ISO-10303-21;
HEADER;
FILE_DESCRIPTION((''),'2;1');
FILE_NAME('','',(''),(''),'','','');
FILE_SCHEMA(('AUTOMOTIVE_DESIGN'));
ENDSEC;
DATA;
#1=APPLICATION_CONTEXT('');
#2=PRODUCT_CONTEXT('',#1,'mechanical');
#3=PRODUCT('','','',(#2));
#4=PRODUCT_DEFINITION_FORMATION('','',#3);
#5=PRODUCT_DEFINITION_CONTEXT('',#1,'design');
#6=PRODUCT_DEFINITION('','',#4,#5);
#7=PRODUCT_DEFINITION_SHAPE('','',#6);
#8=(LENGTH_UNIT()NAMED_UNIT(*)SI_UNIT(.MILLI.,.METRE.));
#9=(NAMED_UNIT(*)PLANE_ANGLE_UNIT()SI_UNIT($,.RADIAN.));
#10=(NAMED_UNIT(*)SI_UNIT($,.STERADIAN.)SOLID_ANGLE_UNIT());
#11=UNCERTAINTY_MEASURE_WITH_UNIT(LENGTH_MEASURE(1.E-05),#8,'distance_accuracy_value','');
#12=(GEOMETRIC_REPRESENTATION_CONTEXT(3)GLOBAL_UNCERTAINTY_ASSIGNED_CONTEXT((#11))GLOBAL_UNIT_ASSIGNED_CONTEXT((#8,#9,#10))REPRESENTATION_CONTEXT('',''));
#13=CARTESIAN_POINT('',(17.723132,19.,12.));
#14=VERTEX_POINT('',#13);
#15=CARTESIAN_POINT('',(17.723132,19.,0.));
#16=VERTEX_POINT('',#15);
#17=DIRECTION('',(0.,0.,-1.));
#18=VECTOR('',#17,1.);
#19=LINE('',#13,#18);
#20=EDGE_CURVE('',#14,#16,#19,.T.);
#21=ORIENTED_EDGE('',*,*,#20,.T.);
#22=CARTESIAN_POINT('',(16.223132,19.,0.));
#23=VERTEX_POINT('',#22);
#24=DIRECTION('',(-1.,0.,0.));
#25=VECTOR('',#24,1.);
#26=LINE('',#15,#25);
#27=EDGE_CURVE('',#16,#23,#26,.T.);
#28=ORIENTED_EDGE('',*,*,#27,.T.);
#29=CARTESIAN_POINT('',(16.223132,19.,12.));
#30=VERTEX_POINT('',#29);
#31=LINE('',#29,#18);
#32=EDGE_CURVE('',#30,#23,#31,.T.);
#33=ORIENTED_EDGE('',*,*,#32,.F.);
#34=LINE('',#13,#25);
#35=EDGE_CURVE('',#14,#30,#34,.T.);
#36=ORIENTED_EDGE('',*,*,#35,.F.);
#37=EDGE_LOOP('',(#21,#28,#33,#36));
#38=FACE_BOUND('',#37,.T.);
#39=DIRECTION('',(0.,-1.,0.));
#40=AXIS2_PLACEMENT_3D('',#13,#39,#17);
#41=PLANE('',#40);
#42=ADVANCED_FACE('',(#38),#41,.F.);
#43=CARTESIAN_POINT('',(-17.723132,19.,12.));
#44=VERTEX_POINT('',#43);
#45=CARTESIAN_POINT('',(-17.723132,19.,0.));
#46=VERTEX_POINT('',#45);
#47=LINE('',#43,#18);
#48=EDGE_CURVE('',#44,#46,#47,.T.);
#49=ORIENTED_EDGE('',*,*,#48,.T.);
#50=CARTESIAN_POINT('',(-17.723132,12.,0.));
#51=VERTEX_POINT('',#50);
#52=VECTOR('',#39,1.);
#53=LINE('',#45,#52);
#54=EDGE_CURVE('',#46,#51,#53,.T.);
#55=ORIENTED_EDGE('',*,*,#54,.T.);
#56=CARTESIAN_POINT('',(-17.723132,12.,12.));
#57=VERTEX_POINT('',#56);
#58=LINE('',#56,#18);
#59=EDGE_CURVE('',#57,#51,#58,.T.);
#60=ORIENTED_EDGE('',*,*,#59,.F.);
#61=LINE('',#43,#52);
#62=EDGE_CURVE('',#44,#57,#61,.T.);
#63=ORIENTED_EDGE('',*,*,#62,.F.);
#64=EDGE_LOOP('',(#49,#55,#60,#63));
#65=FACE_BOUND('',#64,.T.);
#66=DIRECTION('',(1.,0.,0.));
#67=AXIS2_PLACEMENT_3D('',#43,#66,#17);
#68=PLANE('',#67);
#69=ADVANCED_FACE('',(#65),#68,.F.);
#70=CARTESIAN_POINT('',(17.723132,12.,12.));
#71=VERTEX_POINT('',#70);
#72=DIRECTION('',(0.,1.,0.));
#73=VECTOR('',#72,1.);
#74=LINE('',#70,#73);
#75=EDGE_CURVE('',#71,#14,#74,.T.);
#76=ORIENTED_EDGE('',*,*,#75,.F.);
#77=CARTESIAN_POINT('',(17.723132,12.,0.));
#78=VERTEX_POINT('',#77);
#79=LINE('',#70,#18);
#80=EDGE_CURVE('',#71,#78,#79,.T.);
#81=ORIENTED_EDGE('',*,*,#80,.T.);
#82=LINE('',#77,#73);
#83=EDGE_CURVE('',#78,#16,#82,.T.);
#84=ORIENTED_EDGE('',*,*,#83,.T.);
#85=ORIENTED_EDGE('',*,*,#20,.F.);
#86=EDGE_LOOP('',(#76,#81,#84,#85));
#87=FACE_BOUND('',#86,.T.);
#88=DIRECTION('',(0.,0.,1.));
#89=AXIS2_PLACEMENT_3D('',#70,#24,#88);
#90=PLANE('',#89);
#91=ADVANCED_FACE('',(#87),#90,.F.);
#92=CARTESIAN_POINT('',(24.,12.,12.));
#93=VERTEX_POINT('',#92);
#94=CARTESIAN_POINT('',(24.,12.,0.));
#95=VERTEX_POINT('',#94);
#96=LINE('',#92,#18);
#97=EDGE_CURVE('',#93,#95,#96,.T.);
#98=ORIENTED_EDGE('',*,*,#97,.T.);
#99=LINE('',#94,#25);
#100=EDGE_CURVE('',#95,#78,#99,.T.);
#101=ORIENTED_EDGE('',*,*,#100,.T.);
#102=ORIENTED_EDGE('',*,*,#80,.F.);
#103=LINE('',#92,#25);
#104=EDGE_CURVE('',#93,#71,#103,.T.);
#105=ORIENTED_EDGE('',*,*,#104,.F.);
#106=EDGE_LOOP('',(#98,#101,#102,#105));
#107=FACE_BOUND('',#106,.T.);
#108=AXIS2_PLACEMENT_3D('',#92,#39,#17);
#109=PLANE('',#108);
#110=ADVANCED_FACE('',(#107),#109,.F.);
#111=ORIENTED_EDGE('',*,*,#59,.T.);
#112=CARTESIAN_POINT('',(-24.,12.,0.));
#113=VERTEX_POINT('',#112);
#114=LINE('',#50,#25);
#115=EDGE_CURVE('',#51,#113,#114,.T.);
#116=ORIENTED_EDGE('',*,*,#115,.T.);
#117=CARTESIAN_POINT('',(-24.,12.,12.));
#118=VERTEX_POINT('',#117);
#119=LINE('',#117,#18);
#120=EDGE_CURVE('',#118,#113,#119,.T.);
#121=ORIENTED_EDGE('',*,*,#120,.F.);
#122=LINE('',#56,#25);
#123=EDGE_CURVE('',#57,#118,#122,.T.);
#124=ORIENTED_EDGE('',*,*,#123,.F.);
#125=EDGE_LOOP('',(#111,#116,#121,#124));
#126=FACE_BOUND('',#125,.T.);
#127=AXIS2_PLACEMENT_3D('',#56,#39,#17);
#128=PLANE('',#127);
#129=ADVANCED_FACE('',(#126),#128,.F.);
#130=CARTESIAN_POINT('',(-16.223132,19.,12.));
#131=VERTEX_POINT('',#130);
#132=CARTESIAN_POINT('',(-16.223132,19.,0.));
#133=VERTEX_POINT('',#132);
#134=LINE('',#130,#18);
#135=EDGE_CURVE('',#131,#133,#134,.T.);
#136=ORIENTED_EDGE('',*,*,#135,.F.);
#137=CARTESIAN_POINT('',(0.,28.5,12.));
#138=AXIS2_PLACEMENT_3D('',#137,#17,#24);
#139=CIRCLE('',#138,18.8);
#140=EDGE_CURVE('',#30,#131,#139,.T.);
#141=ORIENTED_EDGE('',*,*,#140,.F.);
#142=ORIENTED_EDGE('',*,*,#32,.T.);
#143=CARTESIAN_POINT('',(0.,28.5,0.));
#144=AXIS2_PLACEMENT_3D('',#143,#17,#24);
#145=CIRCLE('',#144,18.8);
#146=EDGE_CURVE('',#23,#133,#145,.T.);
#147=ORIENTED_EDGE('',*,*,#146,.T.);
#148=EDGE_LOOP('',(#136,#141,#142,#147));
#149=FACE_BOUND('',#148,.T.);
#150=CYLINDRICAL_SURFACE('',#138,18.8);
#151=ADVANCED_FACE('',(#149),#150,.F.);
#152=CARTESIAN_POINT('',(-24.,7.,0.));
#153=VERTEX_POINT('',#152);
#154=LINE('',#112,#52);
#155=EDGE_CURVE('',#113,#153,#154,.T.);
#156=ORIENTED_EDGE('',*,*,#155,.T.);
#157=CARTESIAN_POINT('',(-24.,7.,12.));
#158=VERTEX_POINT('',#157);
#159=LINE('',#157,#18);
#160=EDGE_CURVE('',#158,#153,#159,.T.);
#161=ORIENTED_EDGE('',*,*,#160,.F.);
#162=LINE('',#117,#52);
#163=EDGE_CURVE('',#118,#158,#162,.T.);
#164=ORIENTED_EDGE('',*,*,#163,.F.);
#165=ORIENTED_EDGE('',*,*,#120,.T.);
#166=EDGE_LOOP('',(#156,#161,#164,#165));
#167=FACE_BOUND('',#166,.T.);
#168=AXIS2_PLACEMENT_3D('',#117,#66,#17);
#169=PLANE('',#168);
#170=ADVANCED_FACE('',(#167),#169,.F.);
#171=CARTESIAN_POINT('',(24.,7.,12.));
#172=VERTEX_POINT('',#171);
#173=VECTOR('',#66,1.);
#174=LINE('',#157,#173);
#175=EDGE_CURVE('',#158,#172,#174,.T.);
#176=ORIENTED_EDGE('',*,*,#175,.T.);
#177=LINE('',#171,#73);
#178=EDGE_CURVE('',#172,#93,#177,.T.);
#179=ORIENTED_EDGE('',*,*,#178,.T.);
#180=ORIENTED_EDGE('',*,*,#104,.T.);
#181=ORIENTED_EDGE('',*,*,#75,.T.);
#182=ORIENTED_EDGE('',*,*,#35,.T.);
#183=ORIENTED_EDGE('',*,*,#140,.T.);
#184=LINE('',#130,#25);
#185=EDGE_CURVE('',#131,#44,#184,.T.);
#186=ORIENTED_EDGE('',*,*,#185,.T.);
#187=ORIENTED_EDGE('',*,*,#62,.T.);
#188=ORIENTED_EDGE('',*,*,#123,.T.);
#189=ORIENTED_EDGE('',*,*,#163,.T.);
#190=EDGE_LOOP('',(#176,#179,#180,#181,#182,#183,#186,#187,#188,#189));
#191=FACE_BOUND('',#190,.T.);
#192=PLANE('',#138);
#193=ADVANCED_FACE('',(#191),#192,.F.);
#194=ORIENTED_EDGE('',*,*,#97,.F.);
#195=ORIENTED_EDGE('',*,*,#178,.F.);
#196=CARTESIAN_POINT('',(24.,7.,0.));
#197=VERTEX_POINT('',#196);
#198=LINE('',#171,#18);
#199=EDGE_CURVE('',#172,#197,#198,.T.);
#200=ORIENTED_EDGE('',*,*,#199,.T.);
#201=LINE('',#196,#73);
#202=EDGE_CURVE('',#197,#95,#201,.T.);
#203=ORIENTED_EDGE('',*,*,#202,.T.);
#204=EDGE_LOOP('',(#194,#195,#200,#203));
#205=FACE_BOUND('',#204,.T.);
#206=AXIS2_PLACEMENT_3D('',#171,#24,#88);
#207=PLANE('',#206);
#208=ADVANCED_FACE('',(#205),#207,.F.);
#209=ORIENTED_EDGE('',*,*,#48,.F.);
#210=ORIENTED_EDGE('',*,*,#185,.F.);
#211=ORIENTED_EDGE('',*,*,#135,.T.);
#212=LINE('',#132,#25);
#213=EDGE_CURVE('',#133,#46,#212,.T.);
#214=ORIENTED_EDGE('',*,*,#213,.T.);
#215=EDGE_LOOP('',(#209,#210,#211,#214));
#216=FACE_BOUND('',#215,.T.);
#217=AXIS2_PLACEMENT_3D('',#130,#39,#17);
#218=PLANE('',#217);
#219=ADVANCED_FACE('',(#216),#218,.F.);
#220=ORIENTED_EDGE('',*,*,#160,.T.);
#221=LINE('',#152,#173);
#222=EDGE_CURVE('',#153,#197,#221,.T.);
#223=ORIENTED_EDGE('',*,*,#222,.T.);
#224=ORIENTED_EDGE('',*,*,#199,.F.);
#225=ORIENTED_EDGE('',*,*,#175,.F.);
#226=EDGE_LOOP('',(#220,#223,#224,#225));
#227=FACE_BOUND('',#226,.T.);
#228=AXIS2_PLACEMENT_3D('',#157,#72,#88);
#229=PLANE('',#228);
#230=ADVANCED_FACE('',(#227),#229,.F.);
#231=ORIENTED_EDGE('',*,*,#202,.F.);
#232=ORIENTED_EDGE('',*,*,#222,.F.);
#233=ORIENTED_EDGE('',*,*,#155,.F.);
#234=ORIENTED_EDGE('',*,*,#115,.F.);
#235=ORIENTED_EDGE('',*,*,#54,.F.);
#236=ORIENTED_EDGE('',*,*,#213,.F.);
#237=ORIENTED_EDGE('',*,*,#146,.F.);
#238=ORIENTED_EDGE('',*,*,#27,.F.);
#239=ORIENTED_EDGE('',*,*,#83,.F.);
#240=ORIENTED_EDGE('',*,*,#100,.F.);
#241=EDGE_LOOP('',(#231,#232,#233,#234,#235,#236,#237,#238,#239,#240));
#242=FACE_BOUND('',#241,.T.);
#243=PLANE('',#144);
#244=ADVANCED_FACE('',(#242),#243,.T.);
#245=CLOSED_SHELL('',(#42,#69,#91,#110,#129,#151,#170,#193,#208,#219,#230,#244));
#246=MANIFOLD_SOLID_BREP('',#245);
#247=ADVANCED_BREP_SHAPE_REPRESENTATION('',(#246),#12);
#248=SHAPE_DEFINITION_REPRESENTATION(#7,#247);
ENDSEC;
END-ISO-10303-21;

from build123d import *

# Parameters (mm, degrees)
CYLINDRICAL_MOTOR_SEAT_DEPTH = 12


with BuildPart() as part:
    # Cylindrical motor seat profile → Cylindrical motor seat (new body)
    with BuildSketch(Plane.XY):
        with BuildLine():
            Line((-24, 7), (24, 7))
            Line((24, 7), (24, 12))
            Line((24, 12), (17.723131634, 12))
            Line((17.723131634, 12), (17.723131634, 19))
            Line((17.723131634, 19), (16.223131634, 19))
            ThreePointArc((16.223131634, 19), (0, 9.7), (-16.223131634, 19))
            Line((-16.223131634, 19), (-17.723131634, 19))
            Line((-17.723131634, 19), (-17.723131634, 12))
            Line((-17.723131634, 12), (-24, 12))
            Line((-24, 12), (-24, 7))
        make_face()
    extrude(amount=CYLINDRICAL_MOTOR_SEAT_DEPTH)


solid = part.part
